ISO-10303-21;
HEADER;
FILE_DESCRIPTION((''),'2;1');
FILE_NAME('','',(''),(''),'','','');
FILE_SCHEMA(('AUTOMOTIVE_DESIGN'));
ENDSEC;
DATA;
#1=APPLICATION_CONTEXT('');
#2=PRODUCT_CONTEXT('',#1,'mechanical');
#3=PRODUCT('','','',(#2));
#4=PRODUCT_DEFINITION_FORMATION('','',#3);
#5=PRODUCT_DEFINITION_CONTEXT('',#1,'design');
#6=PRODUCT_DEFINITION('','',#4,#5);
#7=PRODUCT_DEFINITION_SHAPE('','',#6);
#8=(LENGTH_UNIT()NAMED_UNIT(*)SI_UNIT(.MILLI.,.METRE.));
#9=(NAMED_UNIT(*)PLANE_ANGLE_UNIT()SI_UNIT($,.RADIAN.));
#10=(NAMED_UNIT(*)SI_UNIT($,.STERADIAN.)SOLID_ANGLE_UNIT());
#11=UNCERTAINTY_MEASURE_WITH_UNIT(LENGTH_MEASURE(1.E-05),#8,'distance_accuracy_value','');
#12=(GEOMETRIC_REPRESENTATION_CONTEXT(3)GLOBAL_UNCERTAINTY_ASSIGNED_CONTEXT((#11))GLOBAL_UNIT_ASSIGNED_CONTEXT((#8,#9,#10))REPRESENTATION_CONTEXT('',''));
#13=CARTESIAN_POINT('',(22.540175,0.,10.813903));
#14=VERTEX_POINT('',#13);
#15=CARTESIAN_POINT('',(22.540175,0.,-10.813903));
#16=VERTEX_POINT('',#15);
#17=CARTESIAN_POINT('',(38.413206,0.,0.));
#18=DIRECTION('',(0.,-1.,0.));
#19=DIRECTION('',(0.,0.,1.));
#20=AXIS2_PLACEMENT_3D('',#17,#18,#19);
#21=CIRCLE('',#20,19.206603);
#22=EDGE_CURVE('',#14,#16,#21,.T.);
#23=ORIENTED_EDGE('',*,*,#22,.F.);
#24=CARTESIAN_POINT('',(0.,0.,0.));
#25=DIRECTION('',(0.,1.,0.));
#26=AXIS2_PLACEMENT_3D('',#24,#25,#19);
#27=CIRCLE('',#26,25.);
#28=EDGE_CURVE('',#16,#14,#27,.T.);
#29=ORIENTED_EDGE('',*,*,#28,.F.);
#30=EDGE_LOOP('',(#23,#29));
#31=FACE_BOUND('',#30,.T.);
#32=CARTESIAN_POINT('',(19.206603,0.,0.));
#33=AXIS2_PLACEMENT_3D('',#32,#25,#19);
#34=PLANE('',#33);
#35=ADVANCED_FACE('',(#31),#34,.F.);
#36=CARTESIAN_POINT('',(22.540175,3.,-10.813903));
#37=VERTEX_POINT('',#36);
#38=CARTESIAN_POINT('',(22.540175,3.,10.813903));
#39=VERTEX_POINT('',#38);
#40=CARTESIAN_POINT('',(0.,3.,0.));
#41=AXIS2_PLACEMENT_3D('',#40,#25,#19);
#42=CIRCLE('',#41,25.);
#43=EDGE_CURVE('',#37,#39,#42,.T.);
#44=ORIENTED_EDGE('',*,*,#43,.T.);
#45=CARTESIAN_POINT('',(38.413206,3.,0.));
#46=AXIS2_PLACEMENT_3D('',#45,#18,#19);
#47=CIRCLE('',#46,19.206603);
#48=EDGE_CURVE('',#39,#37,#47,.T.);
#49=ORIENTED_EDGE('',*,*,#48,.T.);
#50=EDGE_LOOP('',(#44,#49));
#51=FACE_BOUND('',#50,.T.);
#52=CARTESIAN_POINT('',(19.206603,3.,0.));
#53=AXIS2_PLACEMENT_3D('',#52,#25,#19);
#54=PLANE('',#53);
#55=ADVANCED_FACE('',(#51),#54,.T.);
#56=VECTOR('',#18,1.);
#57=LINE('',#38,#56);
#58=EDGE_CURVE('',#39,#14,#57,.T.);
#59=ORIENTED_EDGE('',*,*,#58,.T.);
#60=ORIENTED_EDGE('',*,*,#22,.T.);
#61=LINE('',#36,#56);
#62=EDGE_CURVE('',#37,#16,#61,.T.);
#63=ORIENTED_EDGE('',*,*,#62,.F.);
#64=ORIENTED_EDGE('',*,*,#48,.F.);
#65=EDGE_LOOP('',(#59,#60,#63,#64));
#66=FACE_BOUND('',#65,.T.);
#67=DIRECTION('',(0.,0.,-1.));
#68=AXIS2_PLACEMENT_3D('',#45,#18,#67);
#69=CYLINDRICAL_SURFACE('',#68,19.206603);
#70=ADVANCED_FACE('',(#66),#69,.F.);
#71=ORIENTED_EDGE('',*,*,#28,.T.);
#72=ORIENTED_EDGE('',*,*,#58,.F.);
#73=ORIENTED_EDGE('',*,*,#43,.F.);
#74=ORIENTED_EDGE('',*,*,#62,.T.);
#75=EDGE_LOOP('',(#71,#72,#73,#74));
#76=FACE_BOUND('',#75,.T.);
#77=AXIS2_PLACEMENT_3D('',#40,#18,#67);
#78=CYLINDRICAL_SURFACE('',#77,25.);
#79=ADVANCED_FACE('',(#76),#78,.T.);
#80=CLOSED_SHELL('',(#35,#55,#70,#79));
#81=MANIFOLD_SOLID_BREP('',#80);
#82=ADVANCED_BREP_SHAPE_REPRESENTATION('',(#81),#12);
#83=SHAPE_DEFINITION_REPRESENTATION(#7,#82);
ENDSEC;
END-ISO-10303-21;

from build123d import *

# Parameters (mm, degrees)
SALIENTE_EXTRUIR1_DEPTH = 3


with BuildPart() as part:
    # Croquis1 → Saliente-Extruir1 (new body)
    with BuildSketch(Plane(origin=(0, 0, 0), x_dir=(1, 0, 0), z_dir=(0, 1, 0))):
        with BuildLine():
            ThreePointArc((22.540175286, 10.813903), (-25, 0), (22.540175286, -10.813903))
            ThreePointArc((22.540175286, -10.813903), (19.206602866, 0), (22.540175286, 10.813903))
        make_face()
    extrude(amount=SALIENTE_EXTRUIR1_DEPTH)


solid = part.part
